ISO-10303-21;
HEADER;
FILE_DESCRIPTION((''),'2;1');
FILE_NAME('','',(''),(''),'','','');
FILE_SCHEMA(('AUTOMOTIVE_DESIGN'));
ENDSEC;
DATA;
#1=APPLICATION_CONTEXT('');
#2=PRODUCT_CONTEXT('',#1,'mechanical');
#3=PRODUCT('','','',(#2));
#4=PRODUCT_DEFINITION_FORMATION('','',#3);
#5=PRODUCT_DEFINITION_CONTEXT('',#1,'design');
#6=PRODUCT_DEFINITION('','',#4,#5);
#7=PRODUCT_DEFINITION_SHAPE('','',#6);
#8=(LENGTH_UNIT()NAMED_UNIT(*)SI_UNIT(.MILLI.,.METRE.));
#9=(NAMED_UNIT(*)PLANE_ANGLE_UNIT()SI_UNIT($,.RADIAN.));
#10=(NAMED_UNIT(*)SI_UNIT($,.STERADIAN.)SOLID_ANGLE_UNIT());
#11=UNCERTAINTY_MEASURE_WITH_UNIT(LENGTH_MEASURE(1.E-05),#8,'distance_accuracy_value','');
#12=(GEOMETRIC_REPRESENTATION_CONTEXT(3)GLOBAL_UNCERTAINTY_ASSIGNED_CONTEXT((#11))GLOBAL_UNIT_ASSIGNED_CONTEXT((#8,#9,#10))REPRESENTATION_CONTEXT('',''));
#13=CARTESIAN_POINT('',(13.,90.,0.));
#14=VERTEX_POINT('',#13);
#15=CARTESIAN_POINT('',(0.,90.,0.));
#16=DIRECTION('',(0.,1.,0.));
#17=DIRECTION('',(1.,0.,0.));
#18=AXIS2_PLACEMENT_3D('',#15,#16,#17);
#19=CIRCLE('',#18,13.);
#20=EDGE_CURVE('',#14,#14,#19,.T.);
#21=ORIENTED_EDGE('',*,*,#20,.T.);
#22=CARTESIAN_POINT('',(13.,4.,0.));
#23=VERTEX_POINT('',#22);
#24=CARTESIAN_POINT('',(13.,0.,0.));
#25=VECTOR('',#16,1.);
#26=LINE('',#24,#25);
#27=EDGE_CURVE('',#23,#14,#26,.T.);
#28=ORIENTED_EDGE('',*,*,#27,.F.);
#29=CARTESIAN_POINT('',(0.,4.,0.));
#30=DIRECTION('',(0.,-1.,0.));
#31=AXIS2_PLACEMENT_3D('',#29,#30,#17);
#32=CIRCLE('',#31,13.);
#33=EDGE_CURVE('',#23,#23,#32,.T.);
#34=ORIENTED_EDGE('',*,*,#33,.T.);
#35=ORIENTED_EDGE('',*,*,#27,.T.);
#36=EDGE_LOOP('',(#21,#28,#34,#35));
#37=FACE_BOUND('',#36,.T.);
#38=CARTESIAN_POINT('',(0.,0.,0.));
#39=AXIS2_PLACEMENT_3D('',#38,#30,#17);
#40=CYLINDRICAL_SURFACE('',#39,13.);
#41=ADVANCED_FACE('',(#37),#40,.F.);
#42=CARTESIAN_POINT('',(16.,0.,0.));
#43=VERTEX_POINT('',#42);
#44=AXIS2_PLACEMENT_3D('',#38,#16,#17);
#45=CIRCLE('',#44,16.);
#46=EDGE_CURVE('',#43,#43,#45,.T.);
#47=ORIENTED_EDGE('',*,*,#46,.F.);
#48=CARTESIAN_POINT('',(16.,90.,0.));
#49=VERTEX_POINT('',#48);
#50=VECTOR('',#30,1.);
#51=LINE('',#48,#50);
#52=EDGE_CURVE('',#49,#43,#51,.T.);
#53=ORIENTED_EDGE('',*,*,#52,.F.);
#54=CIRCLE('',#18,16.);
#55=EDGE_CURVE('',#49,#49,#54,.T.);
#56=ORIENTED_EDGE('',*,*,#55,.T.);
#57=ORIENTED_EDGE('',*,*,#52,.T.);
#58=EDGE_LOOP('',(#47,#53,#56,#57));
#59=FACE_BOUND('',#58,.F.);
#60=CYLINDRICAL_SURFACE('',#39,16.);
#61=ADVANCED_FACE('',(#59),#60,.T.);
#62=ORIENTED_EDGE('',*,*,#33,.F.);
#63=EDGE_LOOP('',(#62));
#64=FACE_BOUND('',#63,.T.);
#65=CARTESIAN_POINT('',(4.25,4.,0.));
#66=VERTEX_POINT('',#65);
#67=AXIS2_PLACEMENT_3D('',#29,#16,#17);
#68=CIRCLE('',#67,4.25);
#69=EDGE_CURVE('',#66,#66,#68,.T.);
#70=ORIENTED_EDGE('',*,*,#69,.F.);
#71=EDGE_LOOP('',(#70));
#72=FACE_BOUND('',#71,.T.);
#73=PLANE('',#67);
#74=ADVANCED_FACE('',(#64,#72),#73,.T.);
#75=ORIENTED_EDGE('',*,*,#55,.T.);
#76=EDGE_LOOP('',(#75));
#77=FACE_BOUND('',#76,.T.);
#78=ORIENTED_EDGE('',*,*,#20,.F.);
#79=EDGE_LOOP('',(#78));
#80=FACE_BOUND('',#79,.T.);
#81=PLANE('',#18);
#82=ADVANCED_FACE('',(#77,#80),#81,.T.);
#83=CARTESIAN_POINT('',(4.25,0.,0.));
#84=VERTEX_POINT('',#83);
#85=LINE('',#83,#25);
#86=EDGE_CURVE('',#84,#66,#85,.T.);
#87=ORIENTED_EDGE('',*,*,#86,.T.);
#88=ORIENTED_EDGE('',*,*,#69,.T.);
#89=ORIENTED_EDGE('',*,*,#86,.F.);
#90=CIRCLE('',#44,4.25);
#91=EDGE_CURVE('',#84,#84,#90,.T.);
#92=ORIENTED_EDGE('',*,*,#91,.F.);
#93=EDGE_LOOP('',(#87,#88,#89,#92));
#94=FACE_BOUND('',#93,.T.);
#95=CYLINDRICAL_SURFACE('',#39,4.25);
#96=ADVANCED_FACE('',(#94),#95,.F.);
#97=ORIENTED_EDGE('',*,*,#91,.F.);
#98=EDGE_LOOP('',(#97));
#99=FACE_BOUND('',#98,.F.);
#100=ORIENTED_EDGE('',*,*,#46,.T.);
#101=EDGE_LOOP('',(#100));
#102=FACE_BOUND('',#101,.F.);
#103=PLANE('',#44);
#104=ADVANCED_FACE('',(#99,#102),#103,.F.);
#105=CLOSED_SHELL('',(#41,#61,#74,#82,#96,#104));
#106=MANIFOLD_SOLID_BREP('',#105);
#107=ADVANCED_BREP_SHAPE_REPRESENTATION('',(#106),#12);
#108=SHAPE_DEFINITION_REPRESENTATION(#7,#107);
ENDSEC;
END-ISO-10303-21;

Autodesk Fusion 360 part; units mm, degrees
sketch "Sketch1" plane through (0, 0, 0) normal (0, 1, 0) x (1, 0, 0)
  circle A0 centre (0, 0) radius 13
  circle A1 centre (0, 0) radius 16
  circle A2 centre (0, 0) radius 4.25
  dimension "d1" = 26
  dimension "d2" = 32
  dimension "d3" = 8.5
extrude "Extrude1" add sketch "Sketch1" along normal blind 4 contours A0 | A1
extrude "Extrude2" add sketch "Sketch1" along normal blind 90 contours A1
